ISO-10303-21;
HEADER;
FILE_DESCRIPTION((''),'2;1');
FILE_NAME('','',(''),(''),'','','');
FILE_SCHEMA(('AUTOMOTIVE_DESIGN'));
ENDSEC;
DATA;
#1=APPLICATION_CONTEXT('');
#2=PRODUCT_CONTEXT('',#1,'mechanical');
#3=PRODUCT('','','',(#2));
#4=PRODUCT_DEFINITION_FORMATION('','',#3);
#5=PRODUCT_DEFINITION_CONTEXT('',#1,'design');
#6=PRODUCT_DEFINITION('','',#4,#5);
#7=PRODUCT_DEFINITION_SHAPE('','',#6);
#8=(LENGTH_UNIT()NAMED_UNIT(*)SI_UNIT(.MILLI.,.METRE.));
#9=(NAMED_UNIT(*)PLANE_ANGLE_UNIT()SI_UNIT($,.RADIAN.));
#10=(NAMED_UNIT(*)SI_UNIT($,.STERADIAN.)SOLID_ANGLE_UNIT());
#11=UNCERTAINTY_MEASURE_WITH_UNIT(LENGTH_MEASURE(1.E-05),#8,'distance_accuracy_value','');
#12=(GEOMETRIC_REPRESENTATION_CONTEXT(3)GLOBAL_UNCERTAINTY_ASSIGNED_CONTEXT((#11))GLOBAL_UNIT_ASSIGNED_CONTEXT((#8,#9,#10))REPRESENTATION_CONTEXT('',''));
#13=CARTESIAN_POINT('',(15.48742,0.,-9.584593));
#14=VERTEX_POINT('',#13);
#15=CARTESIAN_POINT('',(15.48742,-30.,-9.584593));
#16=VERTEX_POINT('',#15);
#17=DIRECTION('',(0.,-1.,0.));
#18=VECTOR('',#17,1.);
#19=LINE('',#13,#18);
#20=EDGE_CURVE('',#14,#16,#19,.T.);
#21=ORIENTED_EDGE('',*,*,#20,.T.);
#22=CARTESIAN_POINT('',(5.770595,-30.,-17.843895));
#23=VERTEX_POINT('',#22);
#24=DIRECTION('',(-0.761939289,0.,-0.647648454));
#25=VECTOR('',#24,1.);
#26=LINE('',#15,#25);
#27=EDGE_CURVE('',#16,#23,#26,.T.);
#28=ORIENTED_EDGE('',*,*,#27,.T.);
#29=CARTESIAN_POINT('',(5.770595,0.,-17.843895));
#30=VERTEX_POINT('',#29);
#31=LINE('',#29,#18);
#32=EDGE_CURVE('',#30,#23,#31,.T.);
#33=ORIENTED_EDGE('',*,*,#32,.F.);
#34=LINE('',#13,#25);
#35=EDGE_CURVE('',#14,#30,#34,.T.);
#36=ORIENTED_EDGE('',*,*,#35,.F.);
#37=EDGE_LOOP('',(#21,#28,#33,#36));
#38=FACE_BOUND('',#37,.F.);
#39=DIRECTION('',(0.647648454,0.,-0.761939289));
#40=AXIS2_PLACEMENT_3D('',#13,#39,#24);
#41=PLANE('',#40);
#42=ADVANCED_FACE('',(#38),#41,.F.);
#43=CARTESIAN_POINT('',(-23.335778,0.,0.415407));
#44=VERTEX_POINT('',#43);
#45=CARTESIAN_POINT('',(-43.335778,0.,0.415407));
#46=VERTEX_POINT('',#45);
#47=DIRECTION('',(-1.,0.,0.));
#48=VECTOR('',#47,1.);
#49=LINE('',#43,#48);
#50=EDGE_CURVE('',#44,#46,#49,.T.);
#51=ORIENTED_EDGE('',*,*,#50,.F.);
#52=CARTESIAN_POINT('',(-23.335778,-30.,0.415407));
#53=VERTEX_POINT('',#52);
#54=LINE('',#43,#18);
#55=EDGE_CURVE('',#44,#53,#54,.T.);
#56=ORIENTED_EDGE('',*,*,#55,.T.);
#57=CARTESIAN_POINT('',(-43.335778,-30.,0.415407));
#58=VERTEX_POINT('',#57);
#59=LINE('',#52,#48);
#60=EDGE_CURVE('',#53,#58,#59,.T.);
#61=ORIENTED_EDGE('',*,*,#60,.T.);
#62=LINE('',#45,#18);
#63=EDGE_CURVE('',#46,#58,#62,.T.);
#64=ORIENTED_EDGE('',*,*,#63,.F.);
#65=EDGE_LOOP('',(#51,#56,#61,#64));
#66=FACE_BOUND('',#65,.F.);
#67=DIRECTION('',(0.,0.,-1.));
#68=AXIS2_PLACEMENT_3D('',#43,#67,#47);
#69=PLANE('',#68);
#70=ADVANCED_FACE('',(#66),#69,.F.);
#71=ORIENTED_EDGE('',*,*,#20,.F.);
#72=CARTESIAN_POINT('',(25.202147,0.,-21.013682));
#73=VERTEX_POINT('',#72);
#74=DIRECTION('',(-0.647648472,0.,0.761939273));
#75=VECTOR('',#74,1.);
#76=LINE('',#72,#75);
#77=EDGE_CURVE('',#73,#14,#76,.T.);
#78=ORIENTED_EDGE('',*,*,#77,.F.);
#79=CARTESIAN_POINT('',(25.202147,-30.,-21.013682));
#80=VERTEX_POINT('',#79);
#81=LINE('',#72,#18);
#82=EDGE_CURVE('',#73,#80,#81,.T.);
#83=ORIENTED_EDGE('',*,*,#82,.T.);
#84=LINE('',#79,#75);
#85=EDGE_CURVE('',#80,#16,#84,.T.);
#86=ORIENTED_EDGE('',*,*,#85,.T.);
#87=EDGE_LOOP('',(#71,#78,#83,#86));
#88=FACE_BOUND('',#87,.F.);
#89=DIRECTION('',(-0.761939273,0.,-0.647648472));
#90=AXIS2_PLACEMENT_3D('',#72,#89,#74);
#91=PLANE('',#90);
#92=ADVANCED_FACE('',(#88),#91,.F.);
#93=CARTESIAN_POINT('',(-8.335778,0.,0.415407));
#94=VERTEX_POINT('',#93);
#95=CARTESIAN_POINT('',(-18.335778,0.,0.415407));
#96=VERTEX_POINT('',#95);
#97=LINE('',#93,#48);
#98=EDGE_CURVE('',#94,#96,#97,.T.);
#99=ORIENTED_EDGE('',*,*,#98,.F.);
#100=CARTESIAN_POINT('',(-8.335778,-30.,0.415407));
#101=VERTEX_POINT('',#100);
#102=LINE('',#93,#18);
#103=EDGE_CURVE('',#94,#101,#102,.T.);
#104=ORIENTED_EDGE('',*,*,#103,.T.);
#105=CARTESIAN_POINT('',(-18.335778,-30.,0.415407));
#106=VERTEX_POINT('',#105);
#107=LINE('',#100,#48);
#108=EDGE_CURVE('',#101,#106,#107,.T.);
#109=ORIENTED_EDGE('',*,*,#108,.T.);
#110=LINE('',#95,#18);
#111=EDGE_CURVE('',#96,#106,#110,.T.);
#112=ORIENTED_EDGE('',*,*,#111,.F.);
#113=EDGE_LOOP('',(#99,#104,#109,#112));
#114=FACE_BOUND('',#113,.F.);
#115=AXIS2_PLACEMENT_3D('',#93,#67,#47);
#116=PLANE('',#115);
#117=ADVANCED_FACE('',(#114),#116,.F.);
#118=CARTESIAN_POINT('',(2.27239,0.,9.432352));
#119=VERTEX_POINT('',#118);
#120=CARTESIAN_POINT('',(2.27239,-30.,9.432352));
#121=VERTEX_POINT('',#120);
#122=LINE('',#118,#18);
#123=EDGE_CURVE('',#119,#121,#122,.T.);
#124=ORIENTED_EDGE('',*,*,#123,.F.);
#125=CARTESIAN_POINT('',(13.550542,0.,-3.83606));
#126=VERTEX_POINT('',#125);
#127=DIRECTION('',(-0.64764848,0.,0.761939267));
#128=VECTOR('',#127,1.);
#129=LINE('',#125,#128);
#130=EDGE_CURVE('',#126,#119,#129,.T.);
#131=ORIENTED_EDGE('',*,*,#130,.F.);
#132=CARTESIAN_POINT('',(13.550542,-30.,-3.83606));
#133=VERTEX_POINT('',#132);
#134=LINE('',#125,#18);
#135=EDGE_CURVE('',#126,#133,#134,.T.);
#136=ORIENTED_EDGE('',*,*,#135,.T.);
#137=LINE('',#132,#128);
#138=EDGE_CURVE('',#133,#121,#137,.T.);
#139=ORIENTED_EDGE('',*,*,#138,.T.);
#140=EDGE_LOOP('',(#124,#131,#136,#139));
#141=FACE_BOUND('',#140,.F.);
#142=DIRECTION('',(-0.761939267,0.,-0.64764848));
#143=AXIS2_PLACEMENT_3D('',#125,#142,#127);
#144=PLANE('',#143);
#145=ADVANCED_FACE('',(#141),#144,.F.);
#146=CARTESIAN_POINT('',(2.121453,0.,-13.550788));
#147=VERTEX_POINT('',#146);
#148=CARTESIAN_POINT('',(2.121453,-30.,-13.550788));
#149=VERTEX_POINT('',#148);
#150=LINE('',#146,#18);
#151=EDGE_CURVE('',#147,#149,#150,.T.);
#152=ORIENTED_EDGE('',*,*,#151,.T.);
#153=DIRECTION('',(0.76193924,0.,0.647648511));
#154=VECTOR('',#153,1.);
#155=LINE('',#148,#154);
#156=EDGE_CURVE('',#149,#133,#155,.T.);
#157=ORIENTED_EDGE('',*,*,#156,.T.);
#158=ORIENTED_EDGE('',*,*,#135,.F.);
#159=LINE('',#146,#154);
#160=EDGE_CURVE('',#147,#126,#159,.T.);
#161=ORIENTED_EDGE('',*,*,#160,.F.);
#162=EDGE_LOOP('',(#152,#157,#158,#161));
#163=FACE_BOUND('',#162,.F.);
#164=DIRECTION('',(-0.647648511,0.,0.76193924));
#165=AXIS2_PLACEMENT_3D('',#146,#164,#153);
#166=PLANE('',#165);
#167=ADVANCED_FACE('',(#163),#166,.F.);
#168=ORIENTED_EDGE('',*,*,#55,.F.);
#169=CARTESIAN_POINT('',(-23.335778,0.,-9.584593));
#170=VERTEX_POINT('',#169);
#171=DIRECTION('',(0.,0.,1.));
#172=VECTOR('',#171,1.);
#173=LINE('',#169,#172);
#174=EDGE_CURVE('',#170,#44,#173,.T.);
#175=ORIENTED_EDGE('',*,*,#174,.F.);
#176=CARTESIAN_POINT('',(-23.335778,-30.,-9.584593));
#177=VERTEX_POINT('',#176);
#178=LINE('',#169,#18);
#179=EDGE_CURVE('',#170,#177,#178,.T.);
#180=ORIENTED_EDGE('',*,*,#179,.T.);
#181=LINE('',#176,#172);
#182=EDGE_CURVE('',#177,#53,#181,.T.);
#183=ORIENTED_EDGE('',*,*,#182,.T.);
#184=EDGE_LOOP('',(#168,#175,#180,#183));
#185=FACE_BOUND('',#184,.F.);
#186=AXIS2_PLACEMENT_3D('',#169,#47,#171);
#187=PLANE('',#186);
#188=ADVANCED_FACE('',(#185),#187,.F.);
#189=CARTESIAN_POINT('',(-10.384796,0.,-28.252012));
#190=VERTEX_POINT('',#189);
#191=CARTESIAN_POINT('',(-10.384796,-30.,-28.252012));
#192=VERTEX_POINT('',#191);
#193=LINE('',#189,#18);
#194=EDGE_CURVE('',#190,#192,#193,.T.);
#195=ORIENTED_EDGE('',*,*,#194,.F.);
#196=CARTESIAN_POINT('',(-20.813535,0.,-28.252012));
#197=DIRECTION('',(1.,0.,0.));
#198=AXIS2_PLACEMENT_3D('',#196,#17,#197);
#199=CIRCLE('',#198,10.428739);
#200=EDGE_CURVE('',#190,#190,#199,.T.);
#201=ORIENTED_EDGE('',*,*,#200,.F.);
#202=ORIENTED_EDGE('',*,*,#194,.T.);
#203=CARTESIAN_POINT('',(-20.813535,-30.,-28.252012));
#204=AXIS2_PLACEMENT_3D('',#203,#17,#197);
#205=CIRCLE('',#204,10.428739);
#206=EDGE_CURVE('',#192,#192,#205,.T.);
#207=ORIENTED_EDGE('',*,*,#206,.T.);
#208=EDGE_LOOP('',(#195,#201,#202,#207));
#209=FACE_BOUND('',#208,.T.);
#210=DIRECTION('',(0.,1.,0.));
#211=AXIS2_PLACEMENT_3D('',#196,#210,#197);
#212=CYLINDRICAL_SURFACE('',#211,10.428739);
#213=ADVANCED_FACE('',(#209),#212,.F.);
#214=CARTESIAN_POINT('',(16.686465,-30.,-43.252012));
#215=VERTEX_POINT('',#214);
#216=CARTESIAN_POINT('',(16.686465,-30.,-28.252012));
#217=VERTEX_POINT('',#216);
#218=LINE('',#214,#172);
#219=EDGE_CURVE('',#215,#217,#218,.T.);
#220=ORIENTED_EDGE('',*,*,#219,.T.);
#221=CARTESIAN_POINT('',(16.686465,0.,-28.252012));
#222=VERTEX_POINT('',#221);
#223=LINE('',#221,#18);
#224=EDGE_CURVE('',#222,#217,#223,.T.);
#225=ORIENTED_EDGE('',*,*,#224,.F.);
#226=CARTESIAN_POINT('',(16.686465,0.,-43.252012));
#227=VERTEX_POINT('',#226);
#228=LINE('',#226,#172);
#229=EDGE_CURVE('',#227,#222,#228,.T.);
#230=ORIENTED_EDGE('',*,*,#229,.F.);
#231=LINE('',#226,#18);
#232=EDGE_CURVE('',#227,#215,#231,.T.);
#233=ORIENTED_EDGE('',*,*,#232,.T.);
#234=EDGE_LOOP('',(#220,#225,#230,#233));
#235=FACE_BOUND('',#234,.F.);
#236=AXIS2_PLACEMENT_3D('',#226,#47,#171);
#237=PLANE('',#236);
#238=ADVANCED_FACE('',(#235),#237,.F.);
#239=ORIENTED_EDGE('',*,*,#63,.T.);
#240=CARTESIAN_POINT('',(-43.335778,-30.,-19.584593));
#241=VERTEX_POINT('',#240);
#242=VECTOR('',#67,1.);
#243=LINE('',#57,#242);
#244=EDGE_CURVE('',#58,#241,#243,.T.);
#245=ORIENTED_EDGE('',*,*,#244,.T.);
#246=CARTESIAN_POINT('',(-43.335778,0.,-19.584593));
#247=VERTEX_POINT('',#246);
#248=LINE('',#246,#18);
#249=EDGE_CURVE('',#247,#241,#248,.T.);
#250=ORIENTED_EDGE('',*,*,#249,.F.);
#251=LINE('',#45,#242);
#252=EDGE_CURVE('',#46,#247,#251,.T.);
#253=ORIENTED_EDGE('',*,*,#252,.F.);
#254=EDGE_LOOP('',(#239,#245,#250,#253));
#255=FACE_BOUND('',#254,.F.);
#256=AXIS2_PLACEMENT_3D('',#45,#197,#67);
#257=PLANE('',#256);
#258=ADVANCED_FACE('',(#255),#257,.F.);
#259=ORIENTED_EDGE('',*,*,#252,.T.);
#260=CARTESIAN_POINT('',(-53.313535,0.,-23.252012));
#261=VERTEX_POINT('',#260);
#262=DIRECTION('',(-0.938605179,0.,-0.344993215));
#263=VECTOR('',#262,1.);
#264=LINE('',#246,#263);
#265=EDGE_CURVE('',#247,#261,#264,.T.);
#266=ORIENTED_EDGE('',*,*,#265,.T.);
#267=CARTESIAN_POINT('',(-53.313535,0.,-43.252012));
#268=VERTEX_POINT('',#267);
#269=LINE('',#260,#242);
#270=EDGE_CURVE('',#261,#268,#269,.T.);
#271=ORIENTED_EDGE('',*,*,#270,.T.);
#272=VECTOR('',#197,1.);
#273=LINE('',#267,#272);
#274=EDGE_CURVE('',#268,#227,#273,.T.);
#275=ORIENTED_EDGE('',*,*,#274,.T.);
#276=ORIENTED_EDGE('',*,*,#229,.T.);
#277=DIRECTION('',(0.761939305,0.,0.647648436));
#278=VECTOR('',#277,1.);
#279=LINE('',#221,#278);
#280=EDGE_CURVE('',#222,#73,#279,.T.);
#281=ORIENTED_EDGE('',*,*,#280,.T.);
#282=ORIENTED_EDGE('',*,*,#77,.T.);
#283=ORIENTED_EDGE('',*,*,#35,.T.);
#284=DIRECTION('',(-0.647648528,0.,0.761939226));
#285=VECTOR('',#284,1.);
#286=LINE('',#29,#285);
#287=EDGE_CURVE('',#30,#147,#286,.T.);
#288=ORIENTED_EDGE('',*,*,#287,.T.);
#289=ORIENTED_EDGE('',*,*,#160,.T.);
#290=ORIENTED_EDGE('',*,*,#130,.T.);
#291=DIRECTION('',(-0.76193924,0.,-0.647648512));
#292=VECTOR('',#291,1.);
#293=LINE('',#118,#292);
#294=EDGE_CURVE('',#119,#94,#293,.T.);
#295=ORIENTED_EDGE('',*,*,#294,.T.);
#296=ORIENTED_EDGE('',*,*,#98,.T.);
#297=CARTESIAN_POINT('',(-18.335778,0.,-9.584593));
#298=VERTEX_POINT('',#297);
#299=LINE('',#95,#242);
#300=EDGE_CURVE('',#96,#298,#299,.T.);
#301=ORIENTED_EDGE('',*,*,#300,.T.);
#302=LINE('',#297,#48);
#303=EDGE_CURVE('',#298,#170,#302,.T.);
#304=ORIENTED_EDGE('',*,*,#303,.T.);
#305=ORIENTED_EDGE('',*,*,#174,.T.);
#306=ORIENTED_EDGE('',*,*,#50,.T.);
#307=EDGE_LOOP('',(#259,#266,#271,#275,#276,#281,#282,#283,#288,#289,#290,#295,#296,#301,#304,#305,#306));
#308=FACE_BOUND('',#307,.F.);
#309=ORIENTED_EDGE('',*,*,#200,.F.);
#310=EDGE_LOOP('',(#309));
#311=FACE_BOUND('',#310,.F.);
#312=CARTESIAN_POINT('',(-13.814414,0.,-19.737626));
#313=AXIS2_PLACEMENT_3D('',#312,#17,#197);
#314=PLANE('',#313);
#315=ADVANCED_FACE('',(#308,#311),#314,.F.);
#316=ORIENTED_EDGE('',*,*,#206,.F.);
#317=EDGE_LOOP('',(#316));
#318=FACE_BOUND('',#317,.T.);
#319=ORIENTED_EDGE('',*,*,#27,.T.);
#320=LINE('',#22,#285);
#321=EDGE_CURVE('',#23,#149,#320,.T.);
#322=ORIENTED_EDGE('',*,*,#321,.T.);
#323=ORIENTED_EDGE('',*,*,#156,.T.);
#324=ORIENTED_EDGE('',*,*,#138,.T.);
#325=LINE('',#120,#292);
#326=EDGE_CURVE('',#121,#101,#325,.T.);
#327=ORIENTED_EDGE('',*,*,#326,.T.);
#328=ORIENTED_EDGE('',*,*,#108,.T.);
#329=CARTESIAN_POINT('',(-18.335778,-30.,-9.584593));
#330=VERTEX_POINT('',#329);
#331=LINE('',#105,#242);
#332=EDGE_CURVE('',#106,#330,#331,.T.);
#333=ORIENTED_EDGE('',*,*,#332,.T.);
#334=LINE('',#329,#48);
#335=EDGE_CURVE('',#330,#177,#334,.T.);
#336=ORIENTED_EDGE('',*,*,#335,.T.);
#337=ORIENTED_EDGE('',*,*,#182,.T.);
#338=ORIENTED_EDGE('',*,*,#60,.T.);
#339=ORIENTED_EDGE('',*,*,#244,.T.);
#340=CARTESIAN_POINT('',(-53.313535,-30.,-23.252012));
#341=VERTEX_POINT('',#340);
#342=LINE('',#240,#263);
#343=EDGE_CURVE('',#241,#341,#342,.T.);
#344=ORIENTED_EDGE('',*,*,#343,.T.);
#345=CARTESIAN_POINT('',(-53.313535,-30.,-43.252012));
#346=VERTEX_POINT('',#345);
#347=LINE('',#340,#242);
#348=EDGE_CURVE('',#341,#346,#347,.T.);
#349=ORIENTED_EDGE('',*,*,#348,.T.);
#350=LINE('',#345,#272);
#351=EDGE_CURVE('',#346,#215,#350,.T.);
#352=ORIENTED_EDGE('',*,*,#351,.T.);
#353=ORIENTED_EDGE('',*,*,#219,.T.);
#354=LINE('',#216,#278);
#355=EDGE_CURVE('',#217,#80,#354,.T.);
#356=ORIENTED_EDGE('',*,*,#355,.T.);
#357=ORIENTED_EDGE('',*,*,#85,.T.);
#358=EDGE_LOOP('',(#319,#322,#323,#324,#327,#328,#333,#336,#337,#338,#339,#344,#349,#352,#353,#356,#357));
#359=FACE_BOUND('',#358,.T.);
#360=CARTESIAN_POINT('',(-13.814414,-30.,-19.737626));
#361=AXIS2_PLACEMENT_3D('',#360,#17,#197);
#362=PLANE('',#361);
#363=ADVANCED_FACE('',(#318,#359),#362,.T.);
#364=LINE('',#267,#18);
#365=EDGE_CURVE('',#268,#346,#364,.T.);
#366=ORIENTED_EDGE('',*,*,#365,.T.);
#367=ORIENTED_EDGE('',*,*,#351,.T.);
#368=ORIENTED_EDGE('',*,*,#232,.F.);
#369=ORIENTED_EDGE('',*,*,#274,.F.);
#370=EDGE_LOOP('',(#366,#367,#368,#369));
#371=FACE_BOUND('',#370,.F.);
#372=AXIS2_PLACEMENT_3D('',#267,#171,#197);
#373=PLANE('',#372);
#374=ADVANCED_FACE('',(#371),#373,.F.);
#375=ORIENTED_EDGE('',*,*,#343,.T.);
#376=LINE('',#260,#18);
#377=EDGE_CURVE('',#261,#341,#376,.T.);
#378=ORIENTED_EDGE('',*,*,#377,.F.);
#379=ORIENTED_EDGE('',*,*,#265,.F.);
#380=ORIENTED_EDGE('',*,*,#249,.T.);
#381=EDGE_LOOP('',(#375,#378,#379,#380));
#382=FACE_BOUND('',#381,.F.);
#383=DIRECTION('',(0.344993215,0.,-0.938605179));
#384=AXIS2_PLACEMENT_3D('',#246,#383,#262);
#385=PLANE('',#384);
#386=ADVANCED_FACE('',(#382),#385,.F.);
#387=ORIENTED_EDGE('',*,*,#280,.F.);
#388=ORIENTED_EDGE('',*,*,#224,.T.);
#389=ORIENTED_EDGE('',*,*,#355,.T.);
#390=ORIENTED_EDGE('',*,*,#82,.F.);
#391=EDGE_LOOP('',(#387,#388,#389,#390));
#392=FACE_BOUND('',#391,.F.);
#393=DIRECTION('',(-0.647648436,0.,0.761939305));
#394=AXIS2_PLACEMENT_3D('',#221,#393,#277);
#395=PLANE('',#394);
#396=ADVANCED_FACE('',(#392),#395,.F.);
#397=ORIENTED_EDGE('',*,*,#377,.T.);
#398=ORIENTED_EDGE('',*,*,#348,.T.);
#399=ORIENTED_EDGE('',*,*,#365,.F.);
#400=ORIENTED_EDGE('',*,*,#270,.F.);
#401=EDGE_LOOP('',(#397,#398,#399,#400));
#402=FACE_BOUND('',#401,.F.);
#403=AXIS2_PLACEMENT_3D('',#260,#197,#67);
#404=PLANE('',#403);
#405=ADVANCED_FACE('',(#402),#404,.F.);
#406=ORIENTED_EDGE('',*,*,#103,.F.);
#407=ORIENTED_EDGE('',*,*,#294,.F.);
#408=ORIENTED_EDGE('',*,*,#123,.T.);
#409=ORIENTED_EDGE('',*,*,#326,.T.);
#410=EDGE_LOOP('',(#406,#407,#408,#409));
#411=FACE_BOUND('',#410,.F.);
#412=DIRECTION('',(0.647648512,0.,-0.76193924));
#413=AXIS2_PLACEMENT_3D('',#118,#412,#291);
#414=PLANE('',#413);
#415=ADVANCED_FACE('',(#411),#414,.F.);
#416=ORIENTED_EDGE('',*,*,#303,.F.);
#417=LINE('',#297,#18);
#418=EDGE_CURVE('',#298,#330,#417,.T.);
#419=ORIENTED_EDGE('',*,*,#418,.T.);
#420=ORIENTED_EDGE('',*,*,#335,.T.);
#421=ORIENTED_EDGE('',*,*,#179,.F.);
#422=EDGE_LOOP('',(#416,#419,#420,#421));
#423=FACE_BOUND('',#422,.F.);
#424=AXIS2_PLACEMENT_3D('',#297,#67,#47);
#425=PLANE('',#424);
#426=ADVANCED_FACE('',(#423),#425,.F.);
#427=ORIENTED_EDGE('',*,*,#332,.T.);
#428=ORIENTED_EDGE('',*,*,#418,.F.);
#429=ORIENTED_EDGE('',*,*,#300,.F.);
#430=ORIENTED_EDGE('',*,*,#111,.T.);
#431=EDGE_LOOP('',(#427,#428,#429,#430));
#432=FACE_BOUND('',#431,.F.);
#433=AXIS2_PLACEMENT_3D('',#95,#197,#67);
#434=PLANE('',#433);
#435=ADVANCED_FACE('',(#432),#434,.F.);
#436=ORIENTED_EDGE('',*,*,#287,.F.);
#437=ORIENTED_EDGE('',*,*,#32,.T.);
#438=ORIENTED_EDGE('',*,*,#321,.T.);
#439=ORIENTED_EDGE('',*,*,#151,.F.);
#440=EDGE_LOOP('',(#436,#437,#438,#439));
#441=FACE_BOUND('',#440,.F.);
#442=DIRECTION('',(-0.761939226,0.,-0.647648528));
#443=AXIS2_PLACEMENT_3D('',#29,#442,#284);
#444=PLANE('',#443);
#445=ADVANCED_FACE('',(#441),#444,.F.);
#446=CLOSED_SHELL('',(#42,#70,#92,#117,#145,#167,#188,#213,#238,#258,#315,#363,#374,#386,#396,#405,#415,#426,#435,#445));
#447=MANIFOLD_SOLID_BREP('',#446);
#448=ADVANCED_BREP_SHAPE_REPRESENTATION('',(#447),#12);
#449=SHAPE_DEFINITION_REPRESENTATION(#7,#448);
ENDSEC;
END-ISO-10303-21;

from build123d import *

# Parameters (mm, degrees)
F0_R     = 10.428739
F1_DEPTH = 30


with BuildPart() as f1:
    # F0 (on Front) → F1 (new body)
    with BuildSketch(Plane.XZ):
        Polygon((-53.313535, -23.252012), (-53.313535, -43.252012), (16.686465, -43.252012), (16.686465, -28.252012), (25.202147, -21.013682), (15.48742, -9.584593), (5.770595, -17.843895), (2.121453, -13.550788), (13.550542, -3.83606), (2.27239, 9.432352), (-8.335778, 0.415407), (-18.335778, 0.415407), (-18.335778, -9.584593), (-23.335778, -9.584593), (-23.335778, 0.415407), (-43.335778, 0.415407), (-43.335778, -19.584593), align=None)
        with Locations((-20.813535, -28.252012)):
            Circle(F0_R, mode=Mode.SUBTRACT)
    extrude(amount=F1_DEPTH)


solid = f1.part
